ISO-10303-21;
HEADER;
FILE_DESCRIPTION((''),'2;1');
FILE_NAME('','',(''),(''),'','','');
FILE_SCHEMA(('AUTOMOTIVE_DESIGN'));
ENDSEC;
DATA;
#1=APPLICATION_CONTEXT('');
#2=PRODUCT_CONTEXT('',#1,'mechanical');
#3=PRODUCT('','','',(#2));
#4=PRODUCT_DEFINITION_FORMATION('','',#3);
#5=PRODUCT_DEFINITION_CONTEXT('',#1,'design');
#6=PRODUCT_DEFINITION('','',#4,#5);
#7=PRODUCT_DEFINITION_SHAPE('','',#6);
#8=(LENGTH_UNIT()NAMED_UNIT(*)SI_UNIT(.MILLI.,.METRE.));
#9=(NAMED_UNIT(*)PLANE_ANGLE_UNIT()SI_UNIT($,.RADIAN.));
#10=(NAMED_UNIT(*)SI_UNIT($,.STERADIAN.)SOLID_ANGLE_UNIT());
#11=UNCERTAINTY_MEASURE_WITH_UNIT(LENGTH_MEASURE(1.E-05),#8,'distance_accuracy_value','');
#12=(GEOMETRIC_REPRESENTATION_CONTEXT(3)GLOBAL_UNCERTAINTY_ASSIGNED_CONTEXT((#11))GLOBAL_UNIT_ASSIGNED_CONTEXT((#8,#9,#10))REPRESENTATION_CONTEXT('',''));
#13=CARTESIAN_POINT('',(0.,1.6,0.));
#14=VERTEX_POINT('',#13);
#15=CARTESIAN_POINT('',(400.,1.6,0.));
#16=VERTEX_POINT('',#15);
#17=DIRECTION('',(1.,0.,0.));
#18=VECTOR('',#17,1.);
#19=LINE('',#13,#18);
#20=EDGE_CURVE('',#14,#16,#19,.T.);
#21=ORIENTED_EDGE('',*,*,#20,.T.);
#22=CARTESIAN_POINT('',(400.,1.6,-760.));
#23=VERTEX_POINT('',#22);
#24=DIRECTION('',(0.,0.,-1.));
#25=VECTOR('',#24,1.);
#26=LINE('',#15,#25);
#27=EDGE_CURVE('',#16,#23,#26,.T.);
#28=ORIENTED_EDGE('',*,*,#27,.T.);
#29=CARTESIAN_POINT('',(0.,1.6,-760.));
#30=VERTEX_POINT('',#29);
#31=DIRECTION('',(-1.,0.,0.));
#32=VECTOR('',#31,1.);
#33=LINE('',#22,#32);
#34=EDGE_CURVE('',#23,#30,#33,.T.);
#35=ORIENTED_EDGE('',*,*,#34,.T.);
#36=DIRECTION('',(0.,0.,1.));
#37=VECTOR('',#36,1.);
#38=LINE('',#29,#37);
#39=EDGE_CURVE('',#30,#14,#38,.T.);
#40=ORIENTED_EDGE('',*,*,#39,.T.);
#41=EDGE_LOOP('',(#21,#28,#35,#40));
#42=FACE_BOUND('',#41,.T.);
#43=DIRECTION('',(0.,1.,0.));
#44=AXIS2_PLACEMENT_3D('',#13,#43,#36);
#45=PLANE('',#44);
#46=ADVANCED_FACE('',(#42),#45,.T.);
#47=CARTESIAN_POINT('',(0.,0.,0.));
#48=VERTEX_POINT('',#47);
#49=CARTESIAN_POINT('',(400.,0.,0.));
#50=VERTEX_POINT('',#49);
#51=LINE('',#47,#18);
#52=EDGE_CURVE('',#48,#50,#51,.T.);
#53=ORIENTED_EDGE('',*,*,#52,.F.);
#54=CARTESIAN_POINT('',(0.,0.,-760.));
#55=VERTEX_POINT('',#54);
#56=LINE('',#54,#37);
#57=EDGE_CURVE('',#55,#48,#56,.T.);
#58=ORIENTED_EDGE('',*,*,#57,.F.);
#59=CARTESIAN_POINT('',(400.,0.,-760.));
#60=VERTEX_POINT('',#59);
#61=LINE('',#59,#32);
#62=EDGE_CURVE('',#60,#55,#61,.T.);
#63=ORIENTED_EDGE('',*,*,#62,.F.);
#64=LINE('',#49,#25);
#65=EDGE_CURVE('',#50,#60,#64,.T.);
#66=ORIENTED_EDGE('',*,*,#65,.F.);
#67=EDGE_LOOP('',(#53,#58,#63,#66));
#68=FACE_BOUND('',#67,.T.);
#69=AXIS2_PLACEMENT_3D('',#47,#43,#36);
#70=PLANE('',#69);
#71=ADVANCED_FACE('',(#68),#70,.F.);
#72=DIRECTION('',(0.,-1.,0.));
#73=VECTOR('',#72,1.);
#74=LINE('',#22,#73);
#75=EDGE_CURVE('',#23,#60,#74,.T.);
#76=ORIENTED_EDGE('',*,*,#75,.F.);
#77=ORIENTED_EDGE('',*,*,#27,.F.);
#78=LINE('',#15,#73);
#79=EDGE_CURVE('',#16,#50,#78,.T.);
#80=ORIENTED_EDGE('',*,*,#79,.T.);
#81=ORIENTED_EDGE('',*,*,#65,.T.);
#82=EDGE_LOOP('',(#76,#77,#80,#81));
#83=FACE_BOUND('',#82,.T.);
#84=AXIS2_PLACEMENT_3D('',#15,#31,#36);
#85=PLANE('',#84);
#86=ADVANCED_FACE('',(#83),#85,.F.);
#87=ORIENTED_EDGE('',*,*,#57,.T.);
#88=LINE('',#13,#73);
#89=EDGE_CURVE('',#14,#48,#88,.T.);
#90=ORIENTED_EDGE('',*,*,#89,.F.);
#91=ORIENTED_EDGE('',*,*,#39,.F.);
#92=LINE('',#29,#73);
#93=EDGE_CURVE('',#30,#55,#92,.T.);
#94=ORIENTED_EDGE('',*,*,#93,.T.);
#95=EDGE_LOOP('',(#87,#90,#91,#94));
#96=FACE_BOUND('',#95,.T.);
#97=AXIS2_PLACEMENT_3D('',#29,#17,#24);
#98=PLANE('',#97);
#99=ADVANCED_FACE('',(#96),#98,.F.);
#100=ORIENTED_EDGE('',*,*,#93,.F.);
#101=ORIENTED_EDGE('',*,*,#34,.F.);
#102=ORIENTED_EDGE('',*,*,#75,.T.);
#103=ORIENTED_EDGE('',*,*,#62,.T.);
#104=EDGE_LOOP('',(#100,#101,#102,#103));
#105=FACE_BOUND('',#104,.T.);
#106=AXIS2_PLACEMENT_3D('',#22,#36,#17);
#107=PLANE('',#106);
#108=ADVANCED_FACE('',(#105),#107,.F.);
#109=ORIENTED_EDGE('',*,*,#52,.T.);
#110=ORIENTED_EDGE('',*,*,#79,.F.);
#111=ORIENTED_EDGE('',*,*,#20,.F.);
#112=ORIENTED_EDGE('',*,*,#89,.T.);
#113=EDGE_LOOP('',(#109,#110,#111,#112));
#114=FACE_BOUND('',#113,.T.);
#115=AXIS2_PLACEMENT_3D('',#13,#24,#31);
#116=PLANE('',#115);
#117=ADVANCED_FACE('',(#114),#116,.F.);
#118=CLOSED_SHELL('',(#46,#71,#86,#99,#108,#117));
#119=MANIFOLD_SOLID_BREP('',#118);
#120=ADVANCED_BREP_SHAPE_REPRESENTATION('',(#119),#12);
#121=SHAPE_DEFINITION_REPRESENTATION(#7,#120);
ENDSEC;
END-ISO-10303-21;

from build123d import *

# Parameters (mm, degrees)
SKETCH1_W                        = 400
SKETCH1_H                        = 760
BLANK_KARTON_E_DALGA_1_6_1_DEPTH = 1.6


with BuildPart() as part:
    # Sketch1 → BLANK_karton_E_dalga_1.6_1 (new body)
    with BuildSketch(Plane(origin=(0, 0, 0), x_dir=(1, 0, 0), z_dir=(0, 1, 0))):
        with Locations((200, 380)):
            Rectangle(SKETCH1_W, SKETCH1_H)
    extrude(amount=BLANK_KARTON_E_DALGA_1_6_1_DEPTH)


solid = part.part
